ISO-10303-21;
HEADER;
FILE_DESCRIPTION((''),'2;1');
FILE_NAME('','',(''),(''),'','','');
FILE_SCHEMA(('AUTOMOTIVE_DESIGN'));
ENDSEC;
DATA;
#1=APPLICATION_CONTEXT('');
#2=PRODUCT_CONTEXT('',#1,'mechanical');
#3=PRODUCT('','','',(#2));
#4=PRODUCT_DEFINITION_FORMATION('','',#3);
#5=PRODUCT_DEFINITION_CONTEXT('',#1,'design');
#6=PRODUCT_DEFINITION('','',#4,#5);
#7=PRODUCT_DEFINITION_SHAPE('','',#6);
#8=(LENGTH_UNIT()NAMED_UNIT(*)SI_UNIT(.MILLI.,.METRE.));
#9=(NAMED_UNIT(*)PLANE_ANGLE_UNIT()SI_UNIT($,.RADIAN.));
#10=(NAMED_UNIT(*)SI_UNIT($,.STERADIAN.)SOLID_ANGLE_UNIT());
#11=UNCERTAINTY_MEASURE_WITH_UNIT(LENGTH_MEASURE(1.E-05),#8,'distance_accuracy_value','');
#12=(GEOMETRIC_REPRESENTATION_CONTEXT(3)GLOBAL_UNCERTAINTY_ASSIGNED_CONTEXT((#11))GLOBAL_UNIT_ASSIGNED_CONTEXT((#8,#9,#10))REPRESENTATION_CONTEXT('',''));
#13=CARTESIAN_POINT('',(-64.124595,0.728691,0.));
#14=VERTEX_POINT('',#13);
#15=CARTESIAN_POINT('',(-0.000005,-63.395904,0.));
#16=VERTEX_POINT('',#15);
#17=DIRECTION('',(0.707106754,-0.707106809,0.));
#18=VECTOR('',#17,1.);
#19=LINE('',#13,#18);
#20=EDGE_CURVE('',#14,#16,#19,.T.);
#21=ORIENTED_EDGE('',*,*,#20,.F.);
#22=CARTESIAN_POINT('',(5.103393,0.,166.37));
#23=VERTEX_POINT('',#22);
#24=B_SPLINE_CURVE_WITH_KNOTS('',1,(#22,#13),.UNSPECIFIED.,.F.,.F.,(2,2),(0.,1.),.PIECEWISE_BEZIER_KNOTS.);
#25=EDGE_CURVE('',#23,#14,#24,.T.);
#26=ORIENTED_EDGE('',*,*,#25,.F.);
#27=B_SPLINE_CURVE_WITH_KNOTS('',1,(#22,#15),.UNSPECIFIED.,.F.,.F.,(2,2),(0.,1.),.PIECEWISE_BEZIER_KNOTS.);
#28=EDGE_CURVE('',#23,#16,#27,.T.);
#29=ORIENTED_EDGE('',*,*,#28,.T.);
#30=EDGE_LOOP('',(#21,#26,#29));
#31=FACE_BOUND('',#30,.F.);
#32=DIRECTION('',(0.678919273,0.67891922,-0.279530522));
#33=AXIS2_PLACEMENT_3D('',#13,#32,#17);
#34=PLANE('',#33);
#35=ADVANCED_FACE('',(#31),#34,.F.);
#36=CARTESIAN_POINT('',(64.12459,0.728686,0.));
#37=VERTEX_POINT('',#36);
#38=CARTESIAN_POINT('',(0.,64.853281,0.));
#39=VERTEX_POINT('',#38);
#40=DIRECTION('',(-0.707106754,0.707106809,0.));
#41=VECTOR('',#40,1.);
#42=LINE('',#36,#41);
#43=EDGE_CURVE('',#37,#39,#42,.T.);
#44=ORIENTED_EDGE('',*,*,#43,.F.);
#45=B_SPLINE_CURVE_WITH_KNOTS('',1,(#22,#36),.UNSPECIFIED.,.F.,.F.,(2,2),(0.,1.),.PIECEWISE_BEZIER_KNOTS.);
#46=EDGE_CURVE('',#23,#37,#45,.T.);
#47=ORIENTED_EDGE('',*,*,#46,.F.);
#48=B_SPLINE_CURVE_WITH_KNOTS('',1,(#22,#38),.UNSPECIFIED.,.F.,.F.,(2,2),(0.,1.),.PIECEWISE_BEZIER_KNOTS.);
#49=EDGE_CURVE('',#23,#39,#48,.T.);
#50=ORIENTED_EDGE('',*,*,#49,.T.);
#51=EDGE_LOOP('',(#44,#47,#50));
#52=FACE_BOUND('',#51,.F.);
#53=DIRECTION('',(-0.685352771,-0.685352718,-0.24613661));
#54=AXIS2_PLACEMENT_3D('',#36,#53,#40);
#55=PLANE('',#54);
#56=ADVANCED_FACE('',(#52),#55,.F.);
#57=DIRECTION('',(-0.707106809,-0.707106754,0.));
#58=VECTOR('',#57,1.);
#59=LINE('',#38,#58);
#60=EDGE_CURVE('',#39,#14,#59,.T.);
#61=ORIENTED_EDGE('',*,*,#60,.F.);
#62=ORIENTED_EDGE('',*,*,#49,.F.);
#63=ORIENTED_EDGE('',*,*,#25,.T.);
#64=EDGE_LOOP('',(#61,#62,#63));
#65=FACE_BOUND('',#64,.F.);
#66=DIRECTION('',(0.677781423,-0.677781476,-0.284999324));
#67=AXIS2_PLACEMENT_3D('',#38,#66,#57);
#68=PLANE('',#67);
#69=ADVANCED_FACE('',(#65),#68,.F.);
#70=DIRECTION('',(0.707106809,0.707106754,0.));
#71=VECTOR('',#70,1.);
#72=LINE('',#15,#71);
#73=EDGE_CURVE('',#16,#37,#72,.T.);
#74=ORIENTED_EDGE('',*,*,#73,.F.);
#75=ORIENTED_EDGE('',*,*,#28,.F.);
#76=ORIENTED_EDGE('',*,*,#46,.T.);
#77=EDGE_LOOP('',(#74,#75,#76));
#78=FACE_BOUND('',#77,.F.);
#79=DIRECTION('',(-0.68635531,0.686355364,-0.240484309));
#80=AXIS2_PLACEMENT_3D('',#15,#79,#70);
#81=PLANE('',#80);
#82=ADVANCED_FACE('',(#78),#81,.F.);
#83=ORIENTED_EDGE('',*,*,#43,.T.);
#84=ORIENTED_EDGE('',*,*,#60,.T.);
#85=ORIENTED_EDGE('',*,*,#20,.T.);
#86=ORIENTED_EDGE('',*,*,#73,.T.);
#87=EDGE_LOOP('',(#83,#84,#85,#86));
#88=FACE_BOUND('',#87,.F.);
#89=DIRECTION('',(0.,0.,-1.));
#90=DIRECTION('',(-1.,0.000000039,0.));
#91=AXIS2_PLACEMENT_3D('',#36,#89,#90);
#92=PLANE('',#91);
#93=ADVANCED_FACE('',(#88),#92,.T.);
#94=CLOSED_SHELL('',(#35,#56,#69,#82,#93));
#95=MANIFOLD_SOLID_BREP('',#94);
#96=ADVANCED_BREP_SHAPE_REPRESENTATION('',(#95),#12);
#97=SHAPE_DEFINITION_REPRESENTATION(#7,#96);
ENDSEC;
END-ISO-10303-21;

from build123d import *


with BuildPart() as f3:
    # F0 (on Top) → F3 section 0
    with BuildSketch(Plane.XY, mode=Mode.PRIVATE) as f3_s0:
        Polygon((64.12459, 0.728686), (0, 64.853281), (-64.124595, 0.728691), (-5e-06, -63.395904), align=None)
    loft([Vertex(5.103393, 0, 166.37), f3_s0.sketch])


solid = f3.part
